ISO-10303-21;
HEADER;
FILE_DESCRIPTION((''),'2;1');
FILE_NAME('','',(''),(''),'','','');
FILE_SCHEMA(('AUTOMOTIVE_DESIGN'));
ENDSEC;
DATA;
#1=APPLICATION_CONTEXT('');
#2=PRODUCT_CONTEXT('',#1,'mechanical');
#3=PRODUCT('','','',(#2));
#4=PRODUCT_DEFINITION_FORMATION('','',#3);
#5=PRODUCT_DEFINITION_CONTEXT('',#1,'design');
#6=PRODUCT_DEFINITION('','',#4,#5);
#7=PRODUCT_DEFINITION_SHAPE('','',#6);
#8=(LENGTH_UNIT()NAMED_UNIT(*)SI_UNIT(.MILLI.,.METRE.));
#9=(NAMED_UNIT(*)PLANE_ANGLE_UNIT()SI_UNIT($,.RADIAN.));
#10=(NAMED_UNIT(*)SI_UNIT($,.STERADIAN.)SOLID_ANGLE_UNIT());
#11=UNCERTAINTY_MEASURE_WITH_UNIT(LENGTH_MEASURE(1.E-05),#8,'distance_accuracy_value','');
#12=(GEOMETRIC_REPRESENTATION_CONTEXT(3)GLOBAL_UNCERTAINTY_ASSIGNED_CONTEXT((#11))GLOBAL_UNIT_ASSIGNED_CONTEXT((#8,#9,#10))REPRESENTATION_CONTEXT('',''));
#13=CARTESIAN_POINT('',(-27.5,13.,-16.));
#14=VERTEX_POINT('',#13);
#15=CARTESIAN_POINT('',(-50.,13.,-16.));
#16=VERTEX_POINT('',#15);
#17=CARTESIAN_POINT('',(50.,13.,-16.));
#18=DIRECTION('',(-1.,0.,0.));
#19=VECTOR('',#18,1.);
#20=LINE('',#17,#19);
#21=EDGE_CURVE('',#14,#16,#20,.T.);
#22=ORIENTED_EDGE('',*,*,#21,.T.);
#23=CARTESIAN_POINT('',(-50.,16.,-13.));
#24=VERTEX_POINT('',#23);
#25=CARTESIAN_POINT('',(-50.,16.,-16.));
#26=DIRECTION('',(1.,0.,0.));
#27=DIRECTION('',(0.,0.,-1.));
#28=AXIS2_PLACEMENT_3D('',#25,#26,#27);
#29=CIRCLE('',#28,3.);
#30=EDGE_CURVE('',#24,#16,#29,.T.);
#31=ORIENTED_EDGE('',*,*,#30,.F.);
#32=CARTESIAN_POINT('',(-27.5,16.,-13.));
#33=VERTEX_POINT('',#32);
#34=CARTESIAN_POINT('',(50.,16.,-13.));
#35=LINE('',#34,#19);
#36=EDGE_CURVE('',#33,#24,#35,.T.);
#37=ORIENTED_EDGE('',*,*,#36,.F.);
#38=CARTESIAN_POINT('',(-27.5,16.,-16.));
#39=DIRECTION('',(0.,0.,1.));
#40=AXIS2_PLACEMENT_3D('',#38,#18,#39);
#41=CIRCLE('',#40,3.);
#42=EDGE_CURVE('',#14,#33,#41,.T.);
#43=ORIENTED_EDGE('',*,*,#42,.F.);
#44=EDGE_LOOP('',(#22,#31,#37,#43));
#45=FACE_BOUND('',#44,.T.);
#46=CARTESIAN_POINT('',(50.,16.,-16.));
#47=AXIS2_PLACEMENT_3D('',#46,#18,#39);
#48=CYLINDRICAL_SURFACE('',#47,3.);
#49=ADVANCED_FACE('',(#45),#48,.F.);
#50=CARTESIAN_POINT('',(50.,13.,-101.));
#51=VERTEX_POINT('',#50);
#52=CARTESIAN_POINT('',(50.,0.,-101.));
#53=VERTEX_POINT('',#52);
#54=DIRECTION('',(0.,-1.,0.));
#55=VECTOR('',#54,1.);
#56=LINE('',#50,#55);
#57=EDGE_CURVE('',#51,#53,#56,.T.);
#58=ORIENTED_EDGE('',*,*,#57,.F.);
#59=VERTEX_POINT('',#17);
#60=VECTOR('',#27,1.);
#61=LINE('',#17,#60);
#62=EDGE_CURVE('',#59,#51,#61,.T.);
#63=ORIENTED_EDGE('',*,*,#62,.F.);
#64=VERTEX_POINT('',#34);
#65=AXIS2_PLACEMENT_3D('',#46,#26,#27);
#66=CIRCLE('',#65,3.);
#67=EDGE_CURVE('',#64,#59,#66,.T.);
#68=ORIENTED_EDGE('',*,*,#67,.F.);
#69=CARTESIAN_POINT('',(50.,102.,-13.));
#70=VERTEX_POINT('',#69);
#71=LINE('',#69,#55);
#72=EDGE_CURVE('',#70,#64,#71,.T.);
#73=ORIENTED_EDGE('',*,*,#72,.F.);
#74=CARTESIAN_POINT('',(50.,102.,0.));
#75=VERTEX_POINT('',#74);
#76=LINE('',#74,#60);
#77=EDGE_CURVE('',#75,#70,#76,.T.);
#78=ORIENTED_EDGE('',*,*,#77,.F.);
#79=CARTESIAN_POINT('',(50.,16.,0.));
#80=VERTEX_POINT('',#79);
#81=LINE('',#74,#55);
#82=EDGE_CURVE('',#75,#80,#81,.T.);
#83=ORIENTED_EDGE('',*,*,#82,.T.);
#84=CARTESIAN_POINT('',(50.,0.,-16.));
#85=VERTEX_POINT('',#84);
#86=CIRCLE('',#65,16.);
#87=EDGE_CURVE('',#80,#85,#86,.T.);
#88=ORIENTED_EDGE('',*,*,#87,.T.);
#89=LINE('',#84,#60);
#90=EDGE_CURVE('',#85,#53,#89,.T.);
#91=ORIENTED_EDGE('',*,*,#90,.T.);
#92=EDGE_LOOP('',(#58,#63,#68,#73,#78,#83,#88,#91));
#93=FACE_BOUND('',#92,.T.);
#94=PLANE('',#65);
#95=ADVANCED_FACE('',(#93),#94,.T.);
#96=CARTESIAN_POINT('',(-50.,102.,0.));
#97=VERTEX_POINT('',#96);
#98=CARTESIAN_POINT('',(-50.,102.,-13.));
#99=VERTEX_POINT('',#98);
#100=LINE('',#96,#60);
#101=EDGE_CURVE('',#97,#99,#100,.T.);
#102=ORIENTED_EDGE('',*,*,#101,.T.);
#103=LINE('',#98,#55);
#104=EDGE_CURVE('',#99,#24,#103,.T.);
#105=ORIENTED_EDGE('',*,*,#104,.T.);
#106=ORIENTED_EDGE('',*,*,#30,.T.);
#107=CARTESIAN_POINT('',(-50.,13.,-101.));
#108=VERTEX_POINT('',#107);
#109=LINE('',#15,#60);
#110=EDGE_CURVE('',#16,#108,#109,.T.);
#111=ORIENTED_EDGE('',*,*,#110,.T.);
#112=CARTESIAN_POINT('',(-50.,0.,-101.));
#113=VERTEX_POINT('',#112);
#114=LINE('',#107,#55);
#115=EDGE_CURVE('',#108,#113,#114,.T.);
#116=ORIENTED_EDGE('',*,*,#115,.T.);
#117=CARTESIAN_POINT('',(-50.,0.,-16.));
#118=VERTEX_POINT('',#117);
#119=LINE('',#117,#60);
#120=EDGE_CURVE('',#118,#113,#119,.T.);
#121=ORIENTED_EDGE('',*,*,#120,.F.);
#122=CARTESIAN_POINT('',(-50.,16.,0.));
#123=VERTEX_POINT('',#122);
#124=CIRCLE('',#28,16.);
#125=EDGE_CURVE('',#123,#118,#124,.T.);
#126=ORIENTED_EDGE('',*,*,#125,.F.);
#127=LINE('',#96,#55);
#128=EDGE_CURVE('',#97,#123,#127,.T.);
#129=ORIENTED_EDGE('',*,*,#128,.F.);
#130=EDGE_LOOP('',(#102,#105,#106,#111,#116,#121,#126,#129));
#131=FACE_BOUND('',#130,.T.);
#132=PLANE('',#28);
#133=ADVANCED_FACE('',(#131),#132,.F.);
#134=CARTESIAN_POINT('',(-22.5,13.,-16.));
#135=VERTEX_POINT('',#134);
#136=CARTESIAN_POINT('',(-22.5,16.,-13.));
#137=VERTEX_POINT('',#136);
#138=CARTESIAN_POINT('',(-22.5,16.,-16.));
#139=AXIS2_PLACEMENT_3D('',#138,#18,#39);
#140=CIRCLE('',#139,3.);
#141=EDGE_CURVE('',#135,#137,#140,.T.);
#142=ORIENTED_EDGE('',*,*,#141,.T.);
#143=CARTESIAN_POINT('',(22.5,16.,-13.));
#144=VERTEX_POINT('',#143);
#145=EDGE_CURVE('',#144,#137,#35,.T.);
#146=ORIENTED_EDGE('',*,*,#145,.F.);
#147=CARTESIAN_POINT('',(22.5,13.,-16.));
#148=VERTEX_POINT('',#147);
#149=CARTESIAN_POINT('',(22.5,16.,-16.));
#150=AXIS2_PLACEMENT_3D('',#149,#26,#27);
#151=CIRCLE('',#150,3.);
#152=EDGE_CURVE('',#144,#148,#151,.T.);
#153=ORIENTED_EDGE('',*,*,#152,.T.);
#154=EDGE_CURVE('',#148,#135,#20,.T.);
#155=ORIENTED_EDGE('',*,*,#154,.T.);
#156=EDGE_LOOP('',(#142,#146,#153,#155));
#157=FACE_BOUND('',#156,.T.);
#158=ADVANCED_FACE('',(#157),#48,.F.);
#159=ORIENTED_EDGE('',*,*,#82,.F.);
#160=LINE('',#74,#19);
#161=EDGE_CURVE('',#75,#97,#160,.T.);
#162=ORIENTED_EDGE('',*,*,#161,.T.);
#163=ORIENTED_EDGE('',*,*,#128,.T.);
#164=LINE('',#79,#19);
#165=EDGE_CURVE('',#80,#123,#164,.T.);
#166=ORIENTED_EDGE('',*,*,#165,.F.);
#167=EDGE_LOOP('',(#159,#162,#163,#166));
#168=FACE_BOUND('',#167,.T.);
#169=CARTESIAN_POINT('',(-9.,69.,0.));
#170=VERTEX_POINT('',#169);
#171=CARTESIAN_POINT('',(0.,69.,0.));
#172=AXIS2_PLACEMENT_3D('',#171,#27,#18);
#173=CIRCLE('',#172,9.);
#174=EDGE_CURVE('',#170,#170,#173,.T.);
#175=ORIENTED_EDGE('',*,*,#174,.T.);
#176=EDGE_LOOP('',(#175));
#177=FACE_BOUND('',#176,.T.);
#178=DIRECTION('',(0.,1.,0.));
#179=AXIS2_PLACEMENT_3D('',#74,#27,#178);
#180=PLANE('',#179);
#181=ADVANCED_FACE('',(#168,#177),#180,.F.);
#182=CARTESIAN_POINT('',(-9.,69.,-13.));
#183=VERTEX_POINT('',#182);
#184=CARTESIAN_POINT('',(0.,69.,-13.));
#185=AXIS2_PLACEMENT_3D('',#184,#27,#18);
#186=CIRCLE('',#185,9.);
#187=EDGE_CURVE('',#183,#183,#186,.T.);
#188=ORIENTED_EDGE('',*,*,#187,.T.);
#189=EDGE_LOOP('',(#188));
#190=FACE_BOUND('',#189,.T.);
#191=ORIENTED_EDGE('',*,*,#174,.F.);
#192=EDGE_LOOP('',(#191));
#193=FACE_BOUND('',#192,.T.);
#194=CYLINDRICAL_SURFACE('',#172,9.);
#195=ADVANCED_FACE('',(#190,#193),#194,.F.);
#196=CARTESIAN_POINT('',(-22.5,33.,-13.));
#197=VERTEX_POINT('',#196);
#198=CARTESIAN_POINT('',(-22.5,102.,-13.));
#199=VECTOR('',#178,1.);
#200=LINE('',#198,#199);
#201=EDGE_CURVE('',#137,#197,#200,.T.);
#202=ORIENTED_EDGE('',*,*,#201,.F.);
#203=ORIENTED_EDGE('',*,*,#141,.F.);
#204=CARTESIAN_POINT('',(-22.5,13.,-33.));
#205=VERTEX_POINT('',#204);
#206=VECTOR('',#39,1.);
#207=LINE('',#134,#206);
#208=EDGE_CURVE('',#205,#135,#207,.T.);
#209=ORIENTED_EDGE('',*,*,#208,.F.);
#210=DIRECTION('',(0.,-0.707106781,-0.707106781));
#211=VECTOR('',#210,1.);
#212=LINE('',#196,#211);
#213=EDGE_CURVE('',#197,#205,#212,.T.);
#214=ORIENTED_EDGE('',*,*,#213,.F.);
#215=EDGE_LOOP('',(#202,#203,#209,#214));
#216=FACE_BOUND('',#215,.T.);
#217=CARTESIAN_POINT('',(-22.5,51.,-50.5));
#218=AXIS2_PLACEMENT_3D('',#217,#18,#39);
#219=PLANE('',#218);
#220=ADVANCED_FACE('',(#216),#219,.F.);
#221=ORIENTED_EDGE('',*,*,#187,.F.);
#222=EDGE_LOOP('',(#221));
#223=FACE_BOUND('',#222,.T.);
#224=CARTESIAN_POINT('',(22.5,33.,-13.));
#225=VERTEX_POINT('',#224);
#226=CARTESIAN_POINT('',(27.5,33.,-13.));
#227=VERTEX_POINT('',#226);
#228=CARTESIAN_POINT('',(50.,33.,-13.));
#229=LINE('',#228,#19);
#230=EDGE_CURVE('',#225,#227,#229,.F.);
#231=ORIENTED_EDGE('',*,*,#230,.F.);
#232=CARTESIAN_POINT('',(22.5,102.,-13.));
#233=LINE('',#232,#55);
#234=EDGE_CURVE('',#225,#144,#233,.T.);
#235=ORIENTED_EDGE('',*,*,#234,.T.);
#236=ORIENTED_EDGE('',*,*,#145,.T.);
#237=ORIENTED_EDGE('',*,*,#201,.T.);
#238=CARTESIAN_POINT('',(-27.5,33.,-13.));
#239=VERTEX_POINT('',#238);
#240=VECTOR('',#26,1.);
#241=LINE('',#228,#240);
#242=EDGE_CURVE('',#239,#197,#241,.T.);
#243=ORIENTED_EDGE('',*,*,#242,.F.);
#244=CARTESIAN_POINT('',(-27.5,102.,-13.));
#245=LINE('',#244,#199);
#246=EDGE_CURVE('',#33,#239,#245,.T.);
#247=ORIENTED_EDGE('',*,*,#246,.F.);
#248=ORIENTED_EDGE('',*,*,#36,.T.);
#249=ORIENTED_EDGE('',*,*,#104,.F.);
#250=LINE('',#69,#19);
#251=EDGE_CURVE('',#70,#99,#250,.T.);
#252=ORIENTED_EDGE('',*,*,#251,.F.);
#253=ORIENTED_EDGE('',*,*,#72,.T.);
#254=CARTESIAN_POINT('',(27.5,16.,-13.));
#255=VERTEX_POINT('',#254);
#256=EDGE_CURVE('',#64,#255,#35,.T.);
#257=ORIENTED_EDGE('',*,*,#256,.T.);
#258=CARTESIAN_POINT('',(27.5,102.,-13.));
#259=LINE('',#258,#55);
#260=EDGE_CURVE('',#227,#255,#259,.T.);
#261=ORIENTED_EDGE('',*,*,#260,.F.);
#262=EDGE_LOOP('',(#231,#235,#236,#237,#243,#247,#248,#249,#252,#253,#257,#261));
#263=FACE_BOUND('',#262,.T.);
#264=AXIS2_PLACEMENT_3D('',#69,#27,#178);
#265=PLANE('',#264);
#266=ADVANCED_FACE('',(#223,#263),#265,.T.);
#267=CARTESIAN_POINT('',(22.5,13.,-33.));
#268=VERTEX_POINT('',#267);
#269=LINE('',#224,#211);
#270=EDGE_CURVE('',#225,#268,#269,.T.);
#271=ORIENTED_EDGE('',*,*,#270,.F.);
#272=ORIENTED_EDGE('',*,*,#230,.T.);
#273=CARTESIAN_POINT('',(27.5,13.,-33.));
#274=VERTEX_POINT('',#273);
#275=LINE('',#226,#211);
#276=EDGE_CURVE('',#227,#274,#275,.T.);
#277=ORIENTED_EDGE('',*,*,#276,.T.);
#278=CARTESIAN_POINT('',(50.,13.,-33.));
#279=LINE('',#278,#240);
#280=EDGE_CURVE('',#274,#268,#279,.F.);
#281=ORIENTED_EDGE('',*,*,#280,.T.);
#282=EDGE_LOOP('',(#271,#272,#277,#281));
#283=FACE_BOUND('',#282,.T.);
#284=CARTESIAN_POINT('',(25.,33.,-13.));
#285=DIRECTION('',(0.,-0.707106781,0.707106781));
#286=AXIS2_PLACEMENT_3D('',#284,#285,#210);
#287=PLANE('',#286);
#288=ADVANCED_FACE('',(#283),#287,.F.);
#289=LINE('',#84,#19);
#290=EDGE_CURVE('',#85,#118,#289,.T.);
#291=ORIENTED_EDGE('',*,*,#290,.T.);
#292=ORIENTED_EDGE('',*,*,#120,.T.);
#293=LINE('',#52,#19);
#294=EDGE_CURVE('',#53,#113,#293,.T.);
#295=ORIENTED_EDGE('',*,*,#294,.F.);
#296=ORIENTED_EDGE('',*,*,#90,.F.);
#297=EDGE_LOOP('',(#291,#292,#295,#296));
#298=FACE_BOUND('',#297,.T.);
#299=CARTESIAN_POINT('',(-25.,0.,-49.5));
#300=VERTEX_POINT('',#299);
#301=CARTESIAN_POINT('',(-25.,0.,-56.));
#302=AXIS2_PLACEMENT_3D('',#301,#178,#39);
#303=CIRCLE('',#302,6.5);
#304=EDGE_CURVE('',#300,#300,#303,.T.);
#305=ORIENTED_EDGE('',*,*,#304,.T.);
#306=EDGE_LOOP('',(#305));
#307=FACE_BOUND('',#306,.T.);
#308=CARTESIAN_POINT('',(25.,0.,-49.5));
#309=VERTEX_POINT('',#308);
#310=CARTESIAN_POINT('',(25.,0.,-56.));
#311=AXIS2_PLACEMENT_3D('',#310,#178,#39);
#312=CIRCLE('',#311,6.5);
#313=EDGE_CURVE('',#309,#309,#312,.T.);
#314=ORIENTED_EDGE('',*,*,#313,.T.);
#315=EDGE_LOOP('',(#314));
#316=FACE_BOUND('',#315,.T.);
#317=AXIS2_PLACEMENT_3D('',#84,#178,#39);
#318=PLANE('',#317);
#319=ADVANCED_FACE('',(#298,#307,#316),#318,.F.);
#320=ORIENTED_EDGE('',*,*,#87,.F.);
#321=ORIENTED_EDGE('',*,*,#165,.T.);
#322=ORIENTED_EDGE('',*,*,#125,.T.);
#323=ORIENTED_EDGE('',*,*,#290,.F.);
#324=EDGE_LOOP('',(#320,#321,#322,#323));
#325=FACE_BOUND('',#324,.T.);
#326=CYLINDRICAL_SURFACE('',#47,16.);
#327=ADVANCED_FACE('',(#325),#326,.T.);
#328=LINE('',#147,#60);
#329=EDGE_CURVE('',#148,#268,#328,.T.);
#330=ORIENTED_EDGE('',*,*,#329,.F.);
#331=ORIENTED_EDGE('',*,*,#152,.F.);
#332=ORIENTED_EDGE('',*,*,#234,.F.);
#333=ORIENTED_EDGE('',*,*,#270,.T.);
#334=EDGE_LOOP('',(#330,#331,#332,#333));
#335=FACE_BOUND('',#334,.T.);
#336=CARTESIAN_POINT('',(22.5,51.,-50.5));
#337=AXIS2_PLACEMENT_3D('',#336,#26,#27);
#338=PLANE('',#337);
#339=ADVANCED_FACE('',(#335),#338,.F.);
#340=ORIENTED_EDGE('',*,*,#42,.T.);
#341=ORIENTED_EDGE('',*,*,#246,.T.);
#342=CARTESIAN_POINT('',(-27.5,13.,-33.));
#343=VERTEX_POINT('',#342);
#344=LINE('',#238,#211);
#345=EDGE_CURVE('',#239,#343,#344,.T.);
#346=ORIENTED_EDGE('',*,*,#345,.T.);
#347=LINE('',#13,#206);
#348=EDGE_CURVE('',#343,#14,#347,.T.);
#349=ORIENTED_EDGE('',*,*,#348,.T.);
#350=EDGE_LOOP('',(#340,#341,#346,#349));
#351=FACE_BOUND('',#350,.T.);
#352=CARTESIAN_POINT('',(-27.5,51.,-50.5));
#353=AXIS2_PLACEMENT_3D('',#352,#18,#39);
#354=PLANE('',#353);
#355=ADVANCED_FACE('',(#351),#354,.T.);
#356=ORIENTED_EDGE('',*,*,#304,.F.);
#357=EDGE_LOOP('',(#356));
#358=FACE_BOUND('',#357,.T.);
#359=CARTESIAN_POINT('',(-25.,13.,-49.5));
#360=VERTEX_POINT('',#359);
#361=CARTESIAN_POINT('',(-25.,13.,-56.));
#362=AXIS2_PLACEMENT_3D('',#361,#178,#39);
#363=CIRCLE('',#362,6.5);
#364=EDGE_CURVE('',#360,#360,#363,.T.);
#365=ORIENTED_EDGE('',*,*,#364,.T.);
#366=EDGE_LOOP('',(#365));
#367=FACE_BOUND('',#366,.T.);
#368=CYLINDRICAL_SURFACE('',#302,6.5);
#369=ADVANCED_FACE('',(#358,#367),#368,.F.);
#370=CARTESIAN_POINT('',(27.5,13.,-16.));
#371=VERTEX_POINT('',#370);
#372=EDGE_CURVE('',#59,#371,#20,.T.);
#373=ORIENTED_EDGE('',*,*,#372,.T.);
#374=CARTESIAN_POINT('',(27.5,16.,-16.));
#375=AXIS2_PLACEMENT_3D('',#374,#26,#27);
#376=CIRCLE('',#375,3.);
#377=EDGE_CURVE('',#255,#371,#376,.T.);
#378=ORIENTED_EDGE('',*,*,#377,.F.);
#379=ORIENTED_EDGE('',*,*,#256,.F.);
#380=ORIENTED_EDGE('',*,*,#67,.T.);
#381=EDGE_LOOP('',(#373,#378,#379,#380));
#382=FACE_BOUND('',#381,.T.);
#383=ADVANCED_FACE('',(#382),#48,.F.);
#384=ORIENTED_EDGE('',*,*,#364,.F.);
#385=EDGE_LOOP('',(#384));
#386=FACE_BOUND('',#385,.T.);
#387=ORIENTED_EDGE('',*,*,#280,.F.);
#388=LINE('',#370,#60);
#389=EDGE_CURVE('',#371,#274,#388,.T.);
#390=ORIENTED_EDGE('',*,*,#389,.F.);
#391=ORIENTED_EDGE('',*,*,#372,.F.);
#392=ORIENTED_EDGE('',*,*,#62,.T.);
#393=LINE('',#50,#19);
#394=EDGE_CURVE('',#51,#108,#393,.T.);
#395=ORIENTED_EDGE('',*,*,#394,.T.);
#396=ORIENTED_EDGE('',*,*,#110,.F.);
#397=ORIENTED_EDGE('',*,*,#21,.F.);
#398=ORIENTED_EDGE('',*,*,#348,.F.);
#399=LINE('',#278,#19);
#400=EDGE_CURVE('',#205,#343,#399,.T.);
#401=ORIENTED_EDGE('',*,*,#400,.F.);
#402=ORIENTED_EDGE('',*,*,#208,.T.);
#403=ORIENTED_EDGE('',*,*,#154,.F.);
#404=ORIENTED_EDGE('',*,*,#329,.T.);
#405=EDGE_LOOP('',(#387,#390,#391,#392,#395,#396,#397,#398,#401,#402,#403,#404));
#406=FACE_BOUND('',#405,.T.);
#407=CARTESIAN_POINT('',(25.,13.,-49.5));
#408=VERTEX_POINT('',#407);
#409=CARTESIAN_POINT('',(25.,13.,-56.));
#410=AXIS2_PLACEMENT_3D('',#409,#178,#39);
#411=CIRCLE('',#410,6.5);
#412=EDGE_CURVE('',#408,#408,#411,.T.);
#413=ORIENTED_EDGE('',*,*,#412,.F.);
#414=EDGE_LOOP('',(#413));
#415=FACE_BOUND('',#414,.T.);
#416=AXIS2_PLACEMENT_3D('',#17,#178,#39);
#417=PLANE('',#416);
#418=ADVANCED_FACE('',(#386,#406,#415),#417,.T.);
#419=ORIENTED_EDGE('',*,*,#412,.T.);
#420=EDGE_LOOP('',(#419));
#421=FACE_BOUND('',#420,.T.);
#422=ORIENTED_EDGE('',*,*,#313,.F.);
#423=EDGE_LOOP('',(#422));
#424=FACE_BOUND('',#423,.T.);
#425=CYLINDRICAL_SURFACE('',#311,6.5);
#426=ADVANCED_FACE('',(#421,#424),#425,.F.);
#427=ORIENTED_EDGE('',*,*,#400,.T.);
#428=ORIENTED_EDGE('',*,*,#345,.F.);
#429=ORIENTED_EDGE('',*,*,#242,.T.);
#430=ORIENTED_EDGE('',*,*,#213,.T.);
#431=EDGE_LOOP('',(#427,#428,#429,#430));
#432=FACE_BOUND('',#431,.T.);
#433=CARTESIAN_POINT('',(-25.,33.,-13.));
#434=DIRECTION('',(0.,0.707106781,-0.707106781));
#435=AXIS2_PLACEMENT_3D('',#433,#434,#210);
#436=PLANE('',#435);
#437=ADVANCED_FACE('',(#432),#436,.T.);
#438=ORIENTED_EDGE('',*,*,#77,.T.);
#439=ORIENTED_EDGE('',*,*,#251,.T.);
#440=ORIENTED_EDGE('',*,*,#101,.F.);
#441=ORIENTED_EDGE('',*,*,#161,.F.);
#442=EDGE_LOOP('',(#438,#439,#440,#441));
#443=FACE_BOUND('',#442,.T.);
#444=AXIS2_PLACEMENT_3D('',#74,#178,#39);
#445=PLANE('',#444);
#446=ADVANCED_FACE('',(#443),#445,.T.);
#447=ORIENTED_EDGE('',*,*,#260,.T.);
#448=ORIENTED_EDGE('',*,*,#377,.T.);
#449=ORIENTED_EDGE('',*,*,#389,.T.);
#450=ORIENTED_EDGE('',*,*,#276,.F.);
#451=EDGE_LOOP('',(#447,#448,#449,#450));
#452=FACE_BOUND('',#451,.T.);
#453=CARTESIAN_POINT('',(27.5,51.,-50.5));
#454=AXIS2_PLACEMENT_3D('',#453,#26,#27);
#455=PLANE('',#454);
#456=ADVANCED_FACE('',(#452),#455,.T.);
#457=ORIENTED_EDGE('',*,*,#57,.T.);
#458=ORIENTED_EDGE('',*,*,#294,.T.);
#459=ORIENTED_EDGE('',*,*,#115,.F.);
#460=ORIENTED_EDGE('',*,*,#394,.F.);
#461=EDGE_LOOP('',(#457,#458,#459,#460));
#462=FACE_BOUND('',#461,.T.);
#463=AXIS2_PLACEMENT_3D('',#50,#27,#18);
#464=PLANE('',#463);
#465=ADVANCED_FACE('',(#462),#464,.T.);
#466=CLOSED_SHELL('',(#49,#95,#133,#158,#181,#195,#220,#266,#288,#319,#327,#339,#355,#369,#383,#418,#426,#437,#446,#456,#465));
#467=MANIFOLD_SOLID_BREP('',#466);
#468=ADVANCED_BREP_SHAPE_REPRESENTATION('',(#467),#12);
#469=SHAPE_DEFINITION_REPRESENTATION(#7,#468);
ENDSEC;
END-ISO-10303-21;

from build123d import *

# Parameters (mm, degrees)
ESTRUSIONE_SOTTILE1_DEPTH = 50
SCHIZZO4_R                = 6.5
TAGLIO_ESTRUSIONE1_DEPTH  = 144.603621124
SCHIZZO5_R                = 9
TAGLIO_ESTRUSIONE2_DEPTH  = 144.694119573
NERVATURA2_REACH          = 163.957
SCHIZZO6_WALL_W           = 354.197839966
SCHIZZO6_WALL_H           = 5


with BuildPart() as part:
    # Schizzo2 → Estrusione-Sottile1 (new, symmetric)
    with BuildSketch(Plane(origin=(0, 0, 0), x_dir=(0, 0, -1), z_dir=(1, 0, 0))):
        with BuildLine():
            Line((0, 102), (0, 16))
            ThreePointArc((0, 16), (4.686291501, 4.686291501), (16, 0))
            Line((16, 0), (101, 0))
            Line((101, 0), (101, 13))
            Line((101, 13), (16, 13))
            ThreePointArc((16, 13), (13.878679656, 13.878679656), (13, 16))
            Line((13, 16), (13, 102))
            Line((13, 102), (0, 102))
        make_face()
    extrude(amount=ESTRUSIONE_SOTTILE1_DEPTH, both=True)

    # Schizzo4 → Taglio-Estrusione1 (cut, through all)
    with BuildSketch(Plane(origin=(0, 13, 0), x_dir=(1, 0, 0), z_dir=(0, 1, 0))):
        with Locations(Location((-25, 56, 0), (0, 0, 270))):
            Circle(SCHIZZO4_R)
        with Locations(Location((25, 56, 0), (0, 0, 270))):
            Circle(SCHIZZO4_R)
    extrude(amount=-TAGLIO_ESTRUSIONE1_DEPTH, mode=Mode.SUBTRACT)

    # Schizzo5 → Taglio-Estrusione2 (cut, through all)
    with BuildSketch(Plane(origin=(0, 0, -13), x_dir=(-1, 0, 0), z_dir=(0, 0, -1))):
        with Locations((0, 69)):
            Circle(SCHIZZO5_R)
    extrude(amount=-TAGLIO_ESTRUSIONE2_DEPTH, mode=Mode.SUBTRACT)

    # Schizzo6 wall → Nervatura2 (add, up to next)
    with BuildSketch(Plane(origin=(25, 23, -23), x_dir=(0, -0.707106781187, -0.707106781187), z_dir=(0, 0.707106781187, -0.707106781187)), mode=Mode.PRIVATE) as nervatura2_sk1:
        Rectangle(SCHIZZO6_WALL_W, SCHIZZO6_WALL_H)
    nervatura2_tool1 = extrude(nervatura2_sk1.sketch, amount=-NERVATURA2_REACH, mode=Mode.PRIVATE) - part.part
    nervatura2 = nervatura2_tool1.solids().sort_by_distance((25, 23, -23))[0]
    add(nervatura2)

    # Specchia1: Nervatura2 across plane
    add(nervatura2.mirror(Plane(origin=(0, 0, 0), x_dir=(0, 0, 1), z_dir=(1, 0, 0))))


solid = part.part
